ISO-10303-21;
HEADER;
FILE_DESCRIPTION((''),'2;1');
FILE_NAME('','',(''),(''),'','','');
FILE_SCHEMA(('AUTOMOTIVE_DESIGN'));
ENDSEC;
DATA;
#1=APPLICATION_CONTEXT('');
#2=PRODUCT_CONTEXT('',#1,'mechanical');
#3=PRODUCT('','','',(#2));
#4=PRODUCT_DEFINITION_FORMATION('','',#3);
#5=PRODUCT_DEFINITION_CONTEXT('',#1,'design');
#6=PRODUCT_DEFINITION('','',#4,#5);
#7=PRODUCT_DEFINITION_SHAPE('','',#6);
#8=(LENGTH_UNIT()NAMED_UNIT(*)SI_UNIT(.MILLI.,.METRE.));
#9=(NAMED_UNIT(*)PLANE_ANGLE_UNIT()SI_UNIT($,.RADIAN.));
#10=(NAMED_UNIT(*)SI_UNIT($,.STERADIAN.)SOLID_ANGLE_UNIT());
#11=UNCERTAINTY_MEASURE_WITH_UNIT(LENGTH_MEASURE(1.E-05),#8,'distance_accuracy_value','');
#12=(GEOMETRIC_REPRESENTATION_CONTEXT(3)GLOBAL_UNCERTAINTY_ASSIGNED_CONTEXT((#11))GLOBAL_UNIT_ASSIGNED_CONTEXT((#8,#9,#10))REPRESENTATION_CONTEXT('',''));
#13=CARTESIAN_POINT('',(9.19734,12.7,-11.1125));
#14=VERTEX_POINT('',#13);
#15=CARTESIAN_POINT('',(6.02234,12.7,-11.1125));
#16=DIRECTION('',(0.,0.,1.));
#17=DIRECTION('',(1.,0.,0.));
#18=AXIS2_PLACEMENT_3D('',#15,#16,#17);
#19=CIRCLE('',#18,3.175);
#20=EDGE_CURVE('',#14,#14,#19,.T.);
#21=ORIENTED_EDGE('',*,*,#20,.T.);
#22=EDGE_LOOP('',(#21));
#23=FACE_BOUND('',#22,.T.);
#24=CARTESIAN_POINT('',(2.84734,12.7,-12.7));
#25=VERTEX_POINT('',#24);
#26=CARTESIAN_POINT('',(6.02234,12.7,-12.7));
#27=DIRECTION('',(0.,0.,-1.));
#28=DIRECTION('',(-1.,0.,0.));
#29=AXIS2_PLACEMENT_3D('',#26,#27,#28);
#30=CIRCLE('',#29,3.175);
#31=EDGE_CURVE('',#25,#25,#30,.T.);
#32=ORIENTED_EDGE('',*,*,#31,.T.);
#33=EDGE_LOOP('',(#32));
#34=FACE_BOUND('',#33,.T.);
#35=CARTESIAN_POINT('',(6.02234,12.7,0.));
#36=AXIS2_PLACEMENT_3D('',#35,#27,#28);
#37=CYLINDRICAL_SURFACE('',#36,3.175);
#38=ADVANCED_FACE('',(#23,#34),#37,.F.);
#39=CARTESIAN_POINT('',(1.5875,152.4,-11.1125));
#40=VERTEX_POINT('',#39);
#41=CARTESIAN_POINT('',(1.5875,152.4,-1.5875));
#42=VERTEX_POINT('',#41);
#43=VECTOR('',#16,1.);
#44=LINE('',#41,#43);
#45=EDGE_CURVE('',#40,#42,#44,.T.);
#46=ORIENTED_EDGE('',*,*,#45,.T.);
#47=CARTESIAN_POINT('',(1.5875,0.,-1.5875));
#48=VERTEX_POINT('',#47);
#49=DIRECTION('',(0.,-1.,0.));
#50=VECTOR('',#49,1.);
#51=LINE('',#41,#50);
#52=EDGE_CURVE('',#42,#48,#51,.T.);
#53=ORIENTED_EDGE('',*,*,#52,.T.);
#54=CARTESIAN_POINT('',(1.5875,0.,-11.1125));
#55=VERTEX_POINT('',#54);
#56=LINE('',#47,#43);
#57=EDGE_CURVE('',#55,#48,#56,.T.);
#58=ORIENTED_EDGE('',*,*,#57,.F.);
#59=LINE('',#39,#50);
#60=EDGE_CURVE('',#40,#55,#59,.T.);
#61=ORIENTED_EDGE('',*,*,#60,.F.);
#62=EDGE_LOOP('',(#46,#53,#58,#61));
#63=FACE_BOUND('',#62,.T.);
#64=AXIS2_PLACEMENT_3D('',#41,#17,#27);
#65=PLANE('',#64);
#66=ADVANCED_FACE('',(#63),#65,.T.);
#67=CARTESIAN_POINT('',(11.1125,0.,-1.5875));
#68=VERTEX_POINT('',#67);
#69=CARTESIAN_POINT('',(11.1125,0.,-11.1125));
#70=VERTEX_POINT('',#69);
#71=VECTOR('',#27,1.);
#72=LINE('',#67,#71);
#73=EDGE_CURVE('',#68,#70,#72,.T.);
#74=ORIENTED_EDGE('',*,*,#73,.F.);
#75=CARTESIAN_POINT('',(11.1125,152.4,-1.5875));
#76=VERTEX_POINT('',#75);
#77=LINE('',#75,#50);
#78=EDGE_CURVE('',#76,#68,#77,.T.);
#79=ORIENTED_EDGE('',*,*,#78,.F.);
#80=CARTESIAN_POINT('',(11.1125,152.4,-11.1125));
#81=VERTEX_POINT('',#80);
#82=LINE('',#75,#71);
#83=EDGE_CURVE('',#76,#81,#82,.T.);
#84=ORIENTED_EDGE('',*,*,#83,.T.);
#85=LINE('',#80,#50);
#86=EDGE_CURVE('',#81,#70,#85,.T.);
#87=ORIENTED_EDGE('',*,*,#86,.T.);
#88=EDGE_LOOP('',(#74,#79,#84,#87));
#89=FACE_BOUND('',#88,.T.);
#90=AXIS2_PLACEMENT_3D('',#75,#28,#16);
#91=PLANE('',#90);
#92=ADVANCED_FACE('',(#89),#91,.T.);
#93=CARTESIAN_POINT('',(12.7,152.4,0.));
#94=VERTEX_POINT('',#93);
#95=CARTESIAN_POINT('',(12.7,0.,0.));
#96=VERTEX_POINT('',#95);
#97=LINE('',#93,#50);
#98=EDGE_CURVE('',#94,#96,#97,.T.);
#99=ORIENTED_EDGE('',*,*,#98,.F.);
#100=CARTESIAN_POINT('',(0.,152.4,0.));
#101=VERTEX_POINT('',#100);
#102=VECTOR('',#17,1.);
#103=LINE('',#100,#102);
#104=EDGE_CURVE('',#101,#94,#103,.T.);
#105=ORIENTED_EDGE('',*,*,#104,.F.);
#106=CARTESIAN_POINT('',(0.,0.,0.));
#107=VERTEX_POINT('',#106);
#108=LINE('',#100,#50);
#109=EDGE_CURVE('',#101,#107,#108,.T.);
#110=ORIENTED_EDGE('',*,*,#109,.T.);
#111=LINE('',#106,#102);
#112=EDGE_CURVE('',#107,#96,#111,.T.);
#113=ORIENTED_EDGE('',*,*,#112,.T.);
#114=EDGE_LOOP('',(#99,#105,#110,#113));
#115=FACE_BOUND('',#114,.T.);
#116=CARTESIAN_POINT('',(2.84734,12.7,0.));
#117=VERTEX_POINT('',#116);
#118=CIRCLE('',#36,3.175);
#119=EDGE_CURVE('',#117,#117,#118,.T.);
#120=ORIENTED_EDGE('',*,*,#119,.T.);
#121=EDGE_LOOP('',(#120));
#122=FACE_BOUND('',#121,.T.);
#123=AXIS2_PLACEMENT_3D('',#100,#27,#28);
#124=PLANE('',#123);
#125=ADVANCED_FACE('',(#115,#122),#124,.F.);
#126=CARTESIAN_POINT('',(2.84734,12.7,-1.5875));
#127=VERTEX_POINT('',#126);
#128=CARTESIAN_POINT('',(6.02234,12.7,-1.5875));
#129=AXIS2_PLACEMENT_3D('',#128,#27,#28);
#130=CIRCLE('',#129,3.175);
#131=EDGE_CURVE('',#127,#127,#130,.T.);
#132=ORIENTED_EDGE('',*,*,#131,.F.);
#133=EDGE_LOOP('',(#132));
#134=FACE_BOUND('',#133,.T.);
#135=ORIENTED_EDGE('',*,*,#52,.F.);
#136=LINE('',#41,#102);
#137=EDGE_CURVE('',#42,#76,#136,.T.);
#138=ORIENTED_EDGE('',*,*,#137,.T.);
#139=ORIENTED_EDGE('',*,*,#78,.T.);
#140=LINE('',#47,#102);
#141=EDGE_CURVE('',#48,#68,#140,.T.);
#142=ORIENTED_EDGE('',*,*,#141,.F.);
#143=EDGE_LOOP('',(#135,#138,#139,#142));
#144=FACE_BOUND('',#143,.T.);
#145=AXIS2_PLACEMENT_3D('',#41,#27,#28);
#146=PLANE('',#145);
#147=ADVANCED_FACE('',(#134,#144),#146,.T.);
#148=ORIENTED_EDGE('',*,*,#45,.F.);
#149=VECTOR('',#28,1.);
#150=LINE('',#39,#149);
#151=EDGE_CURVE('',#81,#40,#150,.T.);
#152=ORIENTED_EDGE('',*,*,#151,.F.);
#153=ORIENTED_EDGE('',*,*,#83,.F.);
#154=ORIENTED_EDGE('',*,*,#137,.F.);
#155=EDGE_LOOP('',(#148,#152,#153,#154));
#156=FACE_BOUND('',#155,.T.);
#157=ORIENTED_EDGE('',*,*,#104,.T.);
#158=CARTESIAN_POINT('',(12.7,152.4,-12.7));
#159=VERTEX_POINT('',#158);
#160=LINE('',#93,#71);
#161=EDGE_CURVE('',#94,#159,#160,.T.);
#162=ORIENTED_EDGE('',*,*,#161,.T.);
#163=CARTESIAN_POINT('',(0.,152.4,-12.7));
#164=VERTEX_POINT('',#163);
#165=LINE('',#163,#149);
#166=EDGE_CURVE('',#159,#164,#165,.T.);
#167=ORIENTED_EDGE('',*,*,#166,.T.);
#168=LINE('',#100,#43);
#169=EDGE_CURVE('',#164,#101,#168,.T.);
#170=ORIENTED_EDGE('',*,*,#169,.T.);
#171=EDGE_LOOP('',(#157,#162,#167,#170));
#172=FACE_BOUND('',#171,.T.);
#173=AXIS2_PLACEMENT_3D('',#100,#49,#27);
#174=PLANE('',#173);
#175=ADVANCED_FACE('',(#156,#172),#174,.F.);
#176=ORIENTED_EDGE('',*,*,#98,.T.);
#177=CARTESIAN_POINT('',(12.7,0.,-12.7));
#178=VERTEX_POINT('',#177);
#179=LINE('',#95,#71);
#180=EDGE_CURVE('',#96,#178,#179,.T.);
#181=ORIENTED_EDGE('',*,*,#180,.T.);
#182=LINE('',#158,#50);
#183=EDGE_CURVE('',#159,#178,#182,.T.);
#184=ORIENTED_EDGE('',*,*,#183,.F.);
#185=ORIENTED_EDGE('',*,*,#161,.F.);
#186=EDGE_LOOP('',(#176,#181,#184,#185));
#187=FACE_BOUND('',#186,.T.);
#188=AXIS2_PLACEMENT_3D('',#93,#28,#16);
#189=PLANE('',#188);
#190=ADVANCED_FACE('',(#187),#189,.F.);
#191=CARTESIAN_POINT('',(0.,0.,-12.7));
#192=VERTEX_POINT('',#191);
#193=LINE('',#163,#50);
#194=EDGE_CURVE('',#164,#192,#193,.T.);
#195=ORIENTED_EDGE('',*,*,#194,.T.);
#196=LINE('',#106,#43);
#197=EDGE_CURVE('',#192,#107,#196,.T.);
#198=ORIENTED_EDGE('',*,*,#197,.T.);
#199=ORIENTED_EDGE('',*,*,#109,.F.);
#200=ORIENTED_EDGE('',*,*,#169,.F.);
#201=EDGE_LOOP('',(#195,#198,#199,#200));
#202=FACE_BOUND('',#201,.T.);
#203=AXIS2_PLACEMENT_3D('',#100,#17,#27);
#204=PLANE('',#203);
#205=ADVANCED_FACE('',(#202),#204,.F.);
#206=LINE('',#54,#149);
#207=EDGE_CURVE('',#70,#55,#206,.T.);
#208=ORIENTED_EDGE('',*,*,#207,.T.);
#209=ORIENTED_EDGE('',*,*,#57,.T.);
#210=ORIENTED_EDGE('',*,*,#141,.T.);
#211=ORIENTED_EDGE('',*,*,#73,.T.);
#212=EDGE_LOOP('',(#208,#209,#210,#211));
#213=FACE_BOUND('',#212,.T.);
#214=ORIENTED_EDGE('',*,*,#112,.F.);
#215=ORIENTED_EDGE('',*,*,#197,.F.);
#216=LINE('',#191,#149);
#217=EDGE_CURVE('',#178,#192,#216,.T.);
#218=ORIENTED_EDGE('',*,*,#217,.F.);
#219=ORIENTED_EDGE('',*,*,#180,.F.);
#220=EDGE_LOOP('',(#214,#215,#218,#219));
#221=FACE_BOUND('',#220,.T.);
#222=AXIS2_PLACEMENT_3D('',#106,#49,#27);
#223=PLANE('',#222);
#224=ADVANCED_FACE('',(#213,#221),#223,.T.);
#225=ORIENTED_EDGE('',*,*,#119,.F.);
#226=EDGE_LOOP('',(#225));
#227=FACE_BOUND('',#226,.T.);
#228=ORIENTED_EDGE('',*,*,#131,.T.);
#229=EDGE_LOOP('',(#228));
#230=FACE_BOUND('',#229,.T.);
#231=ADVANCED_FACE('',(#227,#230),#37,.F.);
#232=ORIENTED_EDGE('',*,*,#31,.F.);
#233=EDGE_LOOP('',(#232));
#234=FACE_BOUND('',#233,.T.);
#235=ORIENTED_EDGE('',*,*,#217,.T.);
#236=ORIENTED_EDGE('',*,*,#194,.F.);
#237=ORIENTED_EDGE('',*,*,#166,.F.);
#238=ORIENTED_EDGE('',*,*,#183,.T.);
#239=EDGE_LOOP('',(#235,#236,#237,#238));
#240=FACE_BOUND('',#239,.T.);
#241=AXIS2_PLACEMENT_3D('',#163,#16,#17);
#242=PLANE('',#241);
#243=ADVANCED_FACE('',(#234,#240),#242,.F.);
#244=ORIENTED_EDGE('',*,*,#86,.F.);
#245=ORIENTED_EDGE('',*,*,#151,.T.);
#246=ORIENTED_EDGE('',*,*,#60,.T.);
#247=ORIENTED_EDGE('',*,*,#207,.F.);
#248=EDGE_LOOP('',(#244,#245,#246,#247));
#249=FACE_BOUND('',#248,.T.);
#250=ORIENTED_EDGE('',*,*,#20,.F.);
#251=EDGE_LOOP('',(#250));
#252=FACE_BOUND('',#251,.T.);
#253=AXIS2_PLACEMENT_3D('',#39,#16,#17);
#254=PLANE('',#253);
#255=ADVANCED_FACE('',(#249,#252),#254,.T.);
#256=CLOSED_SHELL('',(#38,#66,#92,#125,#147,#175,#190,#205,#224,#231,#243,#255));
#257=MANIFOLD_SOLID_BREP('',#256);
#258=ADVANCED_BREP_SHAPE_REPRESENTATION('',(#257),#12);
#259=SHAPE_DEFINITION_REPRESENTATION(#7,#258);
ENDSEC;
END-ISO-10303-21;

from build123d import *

# Parameters (mm, degrees)
SKETCH1_W           = 12.7
SKETCH1_H           = 12.7
SKETCH1_W_2         = 9.525
SKETCH1_H_2         = 9.525
BOSS_EXTRUDE1_DEPTH = 152.4
SKETCH2_R           = 3.175
CUT_EXTRUDE1_DEPTH  = 13.7


with BuildPart() as part:
    # Sketch1 → Boss-Extrude1 (new body)
    with BuildSketch(Plane(origin=(0, 0, 0), x_dir=(1, 0, 0), z_dir=(0, 1, 0))):
        with Locations((6.35, 6.35)):
            Rectangle(SKETCH1_W, SKETCH1_H)
        with Locations((6.35, 6.35)):
            Rectangle(SKETCH1_W_2, SKETCH1_H_2, mode=Mode.SUBTRACT)
    extrude(amount=BOSS_EXTRUDE1_DEPTH)

    # Sketch2 → Cut-Extrude1 (cut, through all)
    with BuildSketch(Plane(origin=(0, 0, -12.7), x_dir=(-1, 0, 0), z_dir=(0, 0, -1))):
        with Locations((-6.02234, 12.7)):
            Circle(SKETCH2_R)
    extrude(amount=-CUT_EXTRUDE1_DEPTH, mode=Mode.SUBTRACT)


solid = part.part
